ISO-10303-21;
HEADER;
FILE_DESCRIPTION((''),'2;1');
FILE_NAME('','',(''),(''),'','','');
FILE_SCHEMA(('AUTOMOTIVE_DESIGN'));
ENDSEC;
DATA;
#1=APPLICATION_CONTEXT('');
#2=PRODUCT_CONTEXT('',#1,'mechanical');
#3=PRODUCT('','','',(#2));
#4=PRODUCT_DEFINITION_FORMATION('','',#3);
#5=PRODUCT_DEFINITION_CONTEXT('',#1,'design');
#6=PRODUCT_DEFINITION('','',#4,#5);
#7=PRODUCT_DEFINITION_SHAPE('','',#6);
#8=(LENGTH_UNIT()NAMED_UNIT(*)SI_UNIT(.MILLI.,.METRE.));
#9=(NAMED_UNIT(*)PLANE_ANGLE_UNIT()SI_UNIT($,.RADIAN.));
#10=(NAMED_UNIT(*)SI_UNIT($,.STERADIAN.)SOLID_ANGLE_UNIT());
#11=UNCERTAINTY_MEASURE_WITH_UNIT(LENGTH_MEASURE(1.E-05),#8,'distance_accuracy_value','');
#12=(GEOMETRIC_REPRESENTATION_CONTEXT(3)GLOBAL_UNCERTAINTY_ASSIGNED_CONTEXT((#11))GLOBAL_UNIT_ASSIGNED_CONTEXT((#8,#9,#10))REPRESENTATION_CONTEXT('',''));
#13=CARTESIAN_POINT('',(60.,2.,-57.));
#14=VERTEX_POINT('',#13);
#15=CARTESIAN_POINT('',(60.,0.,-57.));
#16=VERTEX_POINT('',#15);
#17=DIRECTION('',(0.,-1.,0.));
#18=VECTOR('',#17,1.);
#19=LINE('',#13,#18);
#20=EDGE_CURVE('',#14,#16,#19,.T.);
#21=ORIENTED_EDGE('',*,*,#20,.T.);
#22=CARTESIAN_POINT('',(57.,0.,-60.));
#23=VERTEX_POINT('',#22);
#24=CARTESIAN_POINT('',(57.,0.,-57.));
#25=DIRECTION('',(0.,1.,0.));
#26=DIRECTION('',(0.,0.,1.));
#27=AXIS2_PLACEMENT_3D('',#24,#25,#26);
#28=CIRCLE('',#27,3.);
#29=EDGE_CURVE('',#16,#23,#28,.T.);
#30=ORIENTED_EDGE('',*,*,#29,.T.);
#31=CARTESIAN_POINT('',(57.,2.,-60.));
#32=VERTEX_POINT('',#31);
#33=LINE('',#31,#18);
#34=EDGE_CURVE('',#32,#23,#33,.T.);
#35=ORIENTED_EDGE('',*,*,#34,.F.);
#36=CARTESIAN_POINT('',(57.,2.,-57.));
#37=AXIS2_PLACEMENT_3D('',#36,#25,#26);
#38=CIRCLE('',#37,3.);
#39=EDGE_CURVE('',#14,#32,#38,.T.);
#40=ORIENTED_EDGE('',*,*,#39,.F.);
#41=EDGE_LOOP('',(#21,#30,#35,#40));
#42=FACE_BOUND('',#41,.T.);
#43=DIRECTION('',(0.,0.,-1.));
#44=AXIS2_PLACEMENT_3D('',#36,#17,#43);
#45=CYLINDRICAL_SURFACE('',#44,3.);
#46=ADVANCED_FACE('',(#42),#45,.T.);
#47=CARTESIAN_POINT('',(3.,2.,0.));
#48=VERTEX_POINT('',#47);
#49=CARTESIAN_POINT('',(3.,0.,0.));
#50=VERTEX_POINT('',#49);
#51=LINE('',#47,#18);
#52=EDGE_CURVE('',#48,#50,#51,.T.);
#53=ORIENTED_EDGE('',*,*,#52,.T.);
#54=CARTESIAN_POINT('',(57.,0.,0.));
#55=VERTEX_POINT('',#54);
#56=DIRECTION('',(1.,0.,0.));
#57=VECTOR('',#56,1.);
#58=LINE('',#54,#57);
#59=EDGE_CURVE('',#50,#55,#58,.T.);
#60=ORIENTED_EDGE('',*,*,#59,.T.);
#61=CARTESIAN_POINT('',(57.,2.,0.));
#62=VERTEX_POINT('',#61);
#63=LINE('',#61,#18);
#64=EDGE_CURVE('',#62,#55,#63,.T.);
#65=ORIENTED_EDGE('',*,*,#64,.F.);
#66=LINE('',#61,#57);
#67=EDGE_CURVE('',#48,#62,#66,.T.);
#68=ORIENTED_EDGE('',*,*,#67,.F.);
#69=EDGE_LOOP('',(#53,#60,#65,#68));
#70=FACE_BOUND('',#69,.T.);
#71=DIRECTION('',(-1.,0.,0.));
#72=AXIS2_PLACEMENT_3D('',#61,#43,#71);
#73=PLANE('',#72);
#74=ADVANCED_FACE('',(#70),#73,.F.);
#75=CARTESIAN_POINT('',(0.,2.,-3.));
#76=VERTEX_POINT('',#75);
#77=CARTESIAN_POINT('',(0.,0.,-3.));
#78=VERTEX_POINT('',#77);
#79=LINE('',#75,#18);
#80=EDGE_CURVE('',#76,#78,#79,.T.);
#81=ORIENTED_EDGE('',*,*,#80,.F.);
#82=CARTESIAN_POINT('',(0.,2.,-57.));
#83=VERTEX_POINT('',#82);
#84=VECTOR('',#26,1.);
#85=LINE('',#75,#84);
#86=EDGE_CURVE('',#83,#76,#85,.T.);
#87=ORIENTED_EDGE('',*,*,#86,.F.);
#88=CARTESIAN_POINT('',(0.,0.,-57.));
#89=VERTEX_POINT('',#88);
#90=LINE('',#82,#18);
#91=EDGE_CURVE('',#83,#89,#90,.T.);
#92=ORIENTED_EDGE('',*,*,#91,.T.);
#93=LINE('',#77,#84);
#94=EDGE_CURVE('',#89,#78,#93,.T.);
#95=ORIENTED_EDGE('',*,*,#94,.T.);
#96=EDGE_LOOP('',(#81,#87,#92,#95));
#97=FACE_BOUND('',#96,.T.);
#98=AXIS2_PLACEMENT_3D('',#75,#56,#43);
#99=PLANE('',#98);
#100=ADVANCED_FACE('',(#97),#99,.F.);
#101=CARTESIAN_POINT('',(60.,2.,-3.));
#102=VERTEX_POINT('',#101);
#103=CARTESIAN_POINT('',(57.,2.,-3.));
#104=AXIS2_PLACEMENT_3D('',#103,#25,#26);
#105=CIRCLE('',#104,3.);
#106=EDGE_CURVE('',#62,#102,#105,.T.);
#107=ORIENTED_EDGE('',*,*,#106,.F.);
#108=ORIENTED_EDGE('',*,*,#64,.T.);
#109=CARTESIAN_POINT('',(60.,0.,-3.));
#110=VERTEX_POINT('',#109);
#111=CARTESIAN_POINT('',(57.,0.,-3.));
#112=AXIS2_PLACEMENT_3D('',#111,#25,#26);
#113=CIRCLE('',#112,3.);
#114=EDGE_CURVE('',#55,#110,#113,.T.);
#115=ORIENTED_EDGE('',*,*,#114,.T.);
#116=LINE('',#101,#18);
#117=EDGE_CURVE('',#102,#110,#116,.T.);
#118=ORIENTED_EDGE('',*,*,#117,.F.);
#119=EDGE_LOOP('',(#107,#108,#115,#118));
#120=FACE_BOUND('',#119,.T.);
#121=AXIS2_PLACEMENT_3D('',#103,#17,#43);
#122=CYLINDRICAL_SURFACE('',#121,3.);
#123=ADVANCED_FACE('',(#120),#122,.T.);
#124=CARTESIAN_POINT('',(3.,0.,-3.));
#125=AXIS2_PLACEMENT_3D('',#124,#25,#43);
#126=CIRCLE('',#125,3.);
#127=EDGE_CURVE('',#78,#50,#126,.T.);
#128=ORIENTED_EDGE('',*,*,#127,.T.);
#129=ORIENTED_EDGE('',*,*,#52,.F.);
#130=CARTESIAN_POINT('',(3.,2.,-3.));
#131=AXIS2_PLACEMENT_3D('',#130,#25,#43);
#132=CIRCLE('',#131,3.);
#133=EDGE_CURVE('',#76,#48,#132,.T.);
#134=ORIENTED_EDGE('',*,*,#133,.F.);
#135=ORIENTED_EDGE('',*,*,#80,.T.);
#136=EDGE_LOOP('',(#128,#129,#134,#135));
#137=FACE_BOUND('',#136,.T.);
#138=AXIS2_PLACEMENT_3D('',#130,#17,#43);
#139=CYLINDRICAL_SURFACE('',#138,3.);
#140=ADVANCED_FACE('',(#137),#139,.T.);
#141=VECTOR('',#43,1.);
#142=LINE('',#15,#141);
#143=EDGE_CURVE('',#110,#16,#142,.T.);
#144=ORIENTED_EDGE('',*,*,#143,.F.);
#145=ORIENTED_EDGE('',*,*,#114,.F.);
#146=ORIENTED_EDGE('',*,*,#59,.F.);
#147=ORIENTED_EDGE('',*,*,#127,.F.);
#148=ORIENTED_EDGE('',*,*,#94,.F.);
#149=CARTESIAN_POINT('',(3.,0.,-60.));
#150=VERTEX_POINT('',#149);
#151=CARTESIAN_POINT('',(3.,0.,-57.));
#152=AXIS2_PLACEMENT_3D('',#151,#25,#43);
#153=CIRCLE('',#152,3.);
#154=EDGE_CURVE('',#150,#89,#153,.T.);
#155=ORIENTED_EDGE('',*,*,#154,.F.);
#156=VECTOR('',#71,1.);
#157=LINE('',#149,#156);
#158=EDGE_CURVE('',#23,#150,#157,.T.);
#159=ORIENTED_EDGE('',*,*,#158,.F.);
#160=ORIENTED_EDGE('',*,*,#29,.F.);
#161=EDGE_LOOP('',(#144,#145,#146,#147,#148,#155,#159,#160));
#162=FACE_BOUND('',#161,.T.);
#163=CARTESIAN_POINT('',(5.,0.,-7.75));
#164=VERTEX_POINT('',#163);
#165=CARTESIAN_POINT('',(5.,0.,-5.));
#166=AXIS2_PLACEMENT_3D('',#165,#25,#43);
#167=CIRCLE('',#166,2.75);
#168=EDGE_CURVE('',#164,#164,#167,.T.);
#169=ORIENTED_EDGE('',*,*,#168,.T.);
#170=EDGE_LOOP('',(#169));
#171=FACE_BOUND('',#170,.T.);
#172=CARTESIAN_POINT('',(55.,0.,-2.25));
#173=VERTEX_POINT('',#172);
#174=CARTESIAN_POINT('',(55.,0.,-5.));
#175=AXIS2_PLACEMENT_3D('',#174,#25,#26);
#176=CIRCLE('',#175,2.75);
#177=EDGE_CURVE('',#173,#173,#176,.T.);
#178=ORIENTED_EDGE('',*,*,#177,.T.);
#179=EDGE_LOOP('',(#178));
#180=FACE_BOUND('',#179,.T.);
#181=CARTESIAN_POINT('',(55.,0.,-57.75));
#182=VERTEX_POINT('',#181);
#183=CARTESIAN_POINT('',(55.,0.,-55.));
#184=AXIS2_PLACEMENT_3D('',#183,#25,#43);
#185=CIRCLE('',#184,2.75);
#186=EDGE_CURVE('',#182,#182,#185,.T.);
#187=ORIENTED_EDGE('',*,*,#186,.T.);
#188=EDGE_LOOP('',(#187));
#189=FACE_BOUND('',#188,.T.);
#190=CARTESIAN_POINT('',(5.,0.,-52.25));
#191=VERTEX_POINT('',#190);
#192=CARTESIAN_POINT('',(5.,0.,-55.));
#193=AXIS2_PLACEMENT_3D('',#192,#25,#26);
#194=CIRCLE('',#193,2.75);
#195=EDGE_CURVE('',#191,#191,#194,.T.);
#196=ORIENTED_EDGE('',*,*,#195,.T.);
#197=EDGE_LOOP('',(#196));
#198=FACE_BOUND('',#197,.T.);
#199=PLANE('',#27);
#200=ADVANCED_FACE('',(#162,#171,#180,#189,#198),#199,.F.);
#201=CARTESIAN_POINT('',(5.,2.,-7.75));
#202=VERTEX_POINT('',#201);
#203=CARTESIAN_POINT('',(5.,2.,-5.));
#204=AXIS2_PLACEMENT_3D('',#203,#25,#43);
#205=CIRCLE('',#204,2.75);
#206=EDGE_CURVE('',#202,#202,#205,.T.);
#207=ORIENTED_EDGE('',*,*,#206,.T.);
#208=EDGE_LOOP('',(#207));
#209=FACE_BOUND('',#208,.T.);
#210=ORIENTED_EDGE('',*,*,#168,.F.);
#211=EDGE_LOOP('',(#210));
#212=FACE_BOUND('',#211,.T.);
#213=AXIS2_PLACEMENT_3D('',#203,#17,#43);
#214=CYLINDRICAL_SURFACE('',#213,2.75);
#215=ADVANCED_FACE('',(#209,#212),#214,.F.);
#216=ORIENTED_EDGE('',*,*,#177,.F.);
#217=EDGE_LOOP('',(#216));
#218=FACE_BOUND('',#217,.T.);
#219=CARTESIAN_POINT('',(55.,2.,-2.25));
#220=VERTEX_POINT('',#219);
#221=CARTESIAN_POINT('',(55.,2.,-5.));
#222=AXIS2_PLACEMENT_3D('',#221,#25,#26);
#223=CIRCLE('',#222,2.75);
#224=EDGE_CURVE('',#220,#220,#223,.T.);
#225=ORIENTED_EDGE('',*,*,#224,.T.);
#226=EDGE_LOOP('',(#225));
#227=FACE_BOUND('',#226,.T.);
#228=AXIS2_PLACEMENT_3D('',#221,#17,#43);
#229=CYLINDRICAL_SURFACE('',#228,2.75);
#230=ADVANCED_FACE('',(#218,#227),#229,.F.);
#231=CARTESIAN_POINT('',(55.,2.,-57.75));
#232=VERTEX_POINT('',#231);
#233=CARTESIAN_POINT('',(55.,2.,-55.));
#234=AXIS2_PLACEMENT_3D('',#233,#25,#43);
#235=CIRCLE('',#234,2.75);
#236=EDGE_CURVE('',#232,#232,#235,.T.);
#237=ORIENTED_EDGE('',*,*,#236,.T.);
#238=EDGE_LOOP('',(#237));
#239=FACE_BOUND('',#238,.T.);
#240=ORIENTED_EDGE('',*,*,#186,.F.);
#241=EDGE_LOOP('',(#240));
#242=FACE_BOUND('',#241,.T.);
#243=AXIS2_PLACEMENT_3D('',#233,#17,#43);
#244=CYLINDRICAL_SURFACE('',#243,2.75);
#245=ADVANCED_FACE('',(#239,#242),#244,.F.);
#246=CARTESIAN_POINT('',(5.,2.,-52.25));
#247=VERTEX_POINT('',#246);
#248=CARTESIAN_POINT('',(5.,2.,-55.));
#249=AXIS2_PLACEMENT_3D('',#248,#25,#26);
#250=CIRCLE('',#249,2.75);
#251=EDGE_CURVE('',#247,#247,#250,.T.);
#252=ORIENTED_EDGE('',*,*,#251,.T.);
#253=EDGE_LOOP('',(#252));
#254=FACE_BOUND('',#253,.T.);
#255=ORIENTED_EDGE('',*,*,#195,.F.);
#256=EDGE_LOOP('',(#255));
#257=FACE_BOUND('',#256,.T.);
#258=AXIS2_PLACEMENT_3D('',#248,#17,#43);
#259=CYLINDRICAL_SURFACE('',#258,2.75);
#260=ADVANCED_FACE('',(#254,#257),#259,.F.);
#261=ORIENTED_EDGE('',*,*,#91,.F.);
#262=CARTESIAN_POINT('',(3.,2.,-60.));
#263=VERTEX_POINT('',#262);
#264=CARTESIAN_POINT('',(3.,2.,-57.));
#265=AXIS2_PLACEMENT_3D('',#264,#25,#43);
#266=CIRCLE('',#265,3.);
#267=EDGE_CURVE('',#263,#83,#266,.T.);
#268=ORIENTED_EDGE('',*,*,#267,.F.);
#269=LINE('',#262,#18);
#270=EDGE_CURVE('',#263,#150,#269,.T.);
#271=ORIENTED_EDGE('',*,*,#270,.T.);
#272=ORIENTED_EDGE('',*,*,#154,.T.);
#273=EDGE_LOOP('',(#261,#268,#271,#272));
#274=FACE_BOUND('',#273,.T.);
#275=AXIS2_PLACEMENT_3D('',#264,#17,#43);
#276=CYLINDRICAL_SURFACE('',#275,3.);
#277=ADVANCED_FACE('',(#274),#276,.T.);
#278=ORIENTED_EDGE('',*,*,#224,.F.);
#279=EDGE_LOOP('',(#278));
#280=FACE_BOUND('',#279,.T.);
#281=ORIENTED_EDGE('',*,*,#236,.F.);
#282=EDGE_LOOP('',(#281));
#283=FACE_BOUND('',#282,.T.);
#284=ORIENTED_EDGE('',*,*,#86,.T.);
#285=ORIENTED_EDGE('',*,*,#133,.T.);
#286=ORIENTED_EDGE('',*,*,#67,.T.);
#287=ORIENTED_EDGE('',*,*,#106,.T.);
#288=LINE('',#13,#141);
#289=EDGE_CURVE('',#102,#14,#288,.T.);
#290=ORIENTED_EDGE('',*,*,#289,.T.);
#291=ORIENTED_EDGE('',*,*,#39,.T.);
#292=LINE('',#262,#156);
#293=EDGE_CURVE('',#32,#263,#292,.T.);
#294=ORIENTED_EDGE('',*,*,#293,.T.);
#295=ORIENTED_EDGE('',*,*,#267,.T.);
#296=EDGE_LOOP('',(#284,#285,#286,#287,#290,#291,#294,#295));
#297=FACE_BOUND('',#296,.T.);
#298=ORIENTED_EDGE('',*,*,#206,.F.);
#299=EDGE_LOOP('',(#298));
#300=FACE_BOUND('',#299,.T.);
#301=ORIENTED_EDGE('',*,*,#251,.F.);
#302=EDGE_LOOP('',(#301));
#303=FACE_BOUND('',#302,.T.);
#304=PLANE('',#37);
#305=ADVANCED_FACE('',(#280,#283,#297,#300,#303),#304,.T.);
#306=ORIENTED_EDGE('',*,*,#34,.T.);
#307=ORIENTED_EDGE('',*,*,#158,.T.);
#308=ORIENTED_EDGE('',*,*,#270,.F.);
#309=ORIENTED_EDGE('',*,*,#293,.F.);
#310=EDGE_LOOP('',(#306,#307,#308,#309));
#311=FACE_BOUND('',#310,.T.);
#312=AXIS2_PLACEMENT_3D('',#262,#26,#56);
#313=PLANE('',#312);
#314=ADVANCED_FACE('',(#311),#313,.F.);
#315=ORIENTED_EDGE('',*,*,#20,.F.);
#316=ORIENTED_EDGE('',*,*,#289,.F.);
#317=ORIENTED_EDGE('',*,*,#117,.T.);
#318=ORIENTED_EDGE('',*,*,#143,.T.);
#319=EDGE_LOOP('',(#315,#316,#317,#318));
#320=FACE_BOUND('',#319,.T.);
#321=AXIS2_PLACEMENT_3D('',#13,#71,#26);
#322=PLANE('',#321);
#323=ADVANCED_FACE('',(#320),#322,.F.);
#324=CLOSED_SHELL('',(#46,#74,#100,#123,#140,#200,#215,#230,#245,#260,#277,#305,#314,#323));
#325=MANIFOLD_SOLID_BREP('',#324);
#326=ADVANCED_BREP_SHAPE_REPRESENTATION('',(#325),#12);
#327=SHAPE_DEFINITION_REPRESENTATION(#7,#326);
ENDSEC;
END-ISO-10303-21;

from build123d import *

# Parameters (mm, degrees)
SKETCH1_R           = 2.75
BOSS_EXTRUDE1_DEPTH = 2


with BuildPart() as part:
    # Sketch1 → Boss-Extrude1 (new body)
    with BuildSketch(Plane(origin=(0, 0, 0), x_dir=(1, 0, 0), z_dir=(0, 1, 0))):
        with BuildLine():
            Line((0, 3), (0, 57))
            ThreePointArc((0, 57), (0.878679656, 59.121320344), (3, 60))
            Line((3, 60), (57, 60))
            ThreePointArc((57, 60), (59.121320344, 59.121320344), (60, 57))
            Line((60, 57), (60, 3))
            ThreePointArc((60, 3), (59.121320344, 0.878679656), (57, 0))
            Line((57, 0), (3, 0))
            ThreePointArc((3, 0), (0.878679656, 0.878679656), (0, 3))
        make_face()
        with Locations(Location((5, 55, 0), (0, 0, 270))):
            Circle(SKETCH1_R, mode=Mode.SUBTRACT)
        with Locations(Location((5, 5, 0), (0, 0, 90))):
            Circle(SKETCH1_R, mode=Mode.SUBTRACT)
        with Locations(Location((55, 5, 0), (0, 0, 270))):
            Circle(SKETCH1_R, mode=Mode.SUBTRACT)
        with Locations(Location((55, 55, 0), (0, 0, 90))):
            Circle(SKETCH1_R, mode=Mode.SUBTRACT)
    extrude(amount=BOSS_EXTRUDE1_DEPTH)


solid = part.part
